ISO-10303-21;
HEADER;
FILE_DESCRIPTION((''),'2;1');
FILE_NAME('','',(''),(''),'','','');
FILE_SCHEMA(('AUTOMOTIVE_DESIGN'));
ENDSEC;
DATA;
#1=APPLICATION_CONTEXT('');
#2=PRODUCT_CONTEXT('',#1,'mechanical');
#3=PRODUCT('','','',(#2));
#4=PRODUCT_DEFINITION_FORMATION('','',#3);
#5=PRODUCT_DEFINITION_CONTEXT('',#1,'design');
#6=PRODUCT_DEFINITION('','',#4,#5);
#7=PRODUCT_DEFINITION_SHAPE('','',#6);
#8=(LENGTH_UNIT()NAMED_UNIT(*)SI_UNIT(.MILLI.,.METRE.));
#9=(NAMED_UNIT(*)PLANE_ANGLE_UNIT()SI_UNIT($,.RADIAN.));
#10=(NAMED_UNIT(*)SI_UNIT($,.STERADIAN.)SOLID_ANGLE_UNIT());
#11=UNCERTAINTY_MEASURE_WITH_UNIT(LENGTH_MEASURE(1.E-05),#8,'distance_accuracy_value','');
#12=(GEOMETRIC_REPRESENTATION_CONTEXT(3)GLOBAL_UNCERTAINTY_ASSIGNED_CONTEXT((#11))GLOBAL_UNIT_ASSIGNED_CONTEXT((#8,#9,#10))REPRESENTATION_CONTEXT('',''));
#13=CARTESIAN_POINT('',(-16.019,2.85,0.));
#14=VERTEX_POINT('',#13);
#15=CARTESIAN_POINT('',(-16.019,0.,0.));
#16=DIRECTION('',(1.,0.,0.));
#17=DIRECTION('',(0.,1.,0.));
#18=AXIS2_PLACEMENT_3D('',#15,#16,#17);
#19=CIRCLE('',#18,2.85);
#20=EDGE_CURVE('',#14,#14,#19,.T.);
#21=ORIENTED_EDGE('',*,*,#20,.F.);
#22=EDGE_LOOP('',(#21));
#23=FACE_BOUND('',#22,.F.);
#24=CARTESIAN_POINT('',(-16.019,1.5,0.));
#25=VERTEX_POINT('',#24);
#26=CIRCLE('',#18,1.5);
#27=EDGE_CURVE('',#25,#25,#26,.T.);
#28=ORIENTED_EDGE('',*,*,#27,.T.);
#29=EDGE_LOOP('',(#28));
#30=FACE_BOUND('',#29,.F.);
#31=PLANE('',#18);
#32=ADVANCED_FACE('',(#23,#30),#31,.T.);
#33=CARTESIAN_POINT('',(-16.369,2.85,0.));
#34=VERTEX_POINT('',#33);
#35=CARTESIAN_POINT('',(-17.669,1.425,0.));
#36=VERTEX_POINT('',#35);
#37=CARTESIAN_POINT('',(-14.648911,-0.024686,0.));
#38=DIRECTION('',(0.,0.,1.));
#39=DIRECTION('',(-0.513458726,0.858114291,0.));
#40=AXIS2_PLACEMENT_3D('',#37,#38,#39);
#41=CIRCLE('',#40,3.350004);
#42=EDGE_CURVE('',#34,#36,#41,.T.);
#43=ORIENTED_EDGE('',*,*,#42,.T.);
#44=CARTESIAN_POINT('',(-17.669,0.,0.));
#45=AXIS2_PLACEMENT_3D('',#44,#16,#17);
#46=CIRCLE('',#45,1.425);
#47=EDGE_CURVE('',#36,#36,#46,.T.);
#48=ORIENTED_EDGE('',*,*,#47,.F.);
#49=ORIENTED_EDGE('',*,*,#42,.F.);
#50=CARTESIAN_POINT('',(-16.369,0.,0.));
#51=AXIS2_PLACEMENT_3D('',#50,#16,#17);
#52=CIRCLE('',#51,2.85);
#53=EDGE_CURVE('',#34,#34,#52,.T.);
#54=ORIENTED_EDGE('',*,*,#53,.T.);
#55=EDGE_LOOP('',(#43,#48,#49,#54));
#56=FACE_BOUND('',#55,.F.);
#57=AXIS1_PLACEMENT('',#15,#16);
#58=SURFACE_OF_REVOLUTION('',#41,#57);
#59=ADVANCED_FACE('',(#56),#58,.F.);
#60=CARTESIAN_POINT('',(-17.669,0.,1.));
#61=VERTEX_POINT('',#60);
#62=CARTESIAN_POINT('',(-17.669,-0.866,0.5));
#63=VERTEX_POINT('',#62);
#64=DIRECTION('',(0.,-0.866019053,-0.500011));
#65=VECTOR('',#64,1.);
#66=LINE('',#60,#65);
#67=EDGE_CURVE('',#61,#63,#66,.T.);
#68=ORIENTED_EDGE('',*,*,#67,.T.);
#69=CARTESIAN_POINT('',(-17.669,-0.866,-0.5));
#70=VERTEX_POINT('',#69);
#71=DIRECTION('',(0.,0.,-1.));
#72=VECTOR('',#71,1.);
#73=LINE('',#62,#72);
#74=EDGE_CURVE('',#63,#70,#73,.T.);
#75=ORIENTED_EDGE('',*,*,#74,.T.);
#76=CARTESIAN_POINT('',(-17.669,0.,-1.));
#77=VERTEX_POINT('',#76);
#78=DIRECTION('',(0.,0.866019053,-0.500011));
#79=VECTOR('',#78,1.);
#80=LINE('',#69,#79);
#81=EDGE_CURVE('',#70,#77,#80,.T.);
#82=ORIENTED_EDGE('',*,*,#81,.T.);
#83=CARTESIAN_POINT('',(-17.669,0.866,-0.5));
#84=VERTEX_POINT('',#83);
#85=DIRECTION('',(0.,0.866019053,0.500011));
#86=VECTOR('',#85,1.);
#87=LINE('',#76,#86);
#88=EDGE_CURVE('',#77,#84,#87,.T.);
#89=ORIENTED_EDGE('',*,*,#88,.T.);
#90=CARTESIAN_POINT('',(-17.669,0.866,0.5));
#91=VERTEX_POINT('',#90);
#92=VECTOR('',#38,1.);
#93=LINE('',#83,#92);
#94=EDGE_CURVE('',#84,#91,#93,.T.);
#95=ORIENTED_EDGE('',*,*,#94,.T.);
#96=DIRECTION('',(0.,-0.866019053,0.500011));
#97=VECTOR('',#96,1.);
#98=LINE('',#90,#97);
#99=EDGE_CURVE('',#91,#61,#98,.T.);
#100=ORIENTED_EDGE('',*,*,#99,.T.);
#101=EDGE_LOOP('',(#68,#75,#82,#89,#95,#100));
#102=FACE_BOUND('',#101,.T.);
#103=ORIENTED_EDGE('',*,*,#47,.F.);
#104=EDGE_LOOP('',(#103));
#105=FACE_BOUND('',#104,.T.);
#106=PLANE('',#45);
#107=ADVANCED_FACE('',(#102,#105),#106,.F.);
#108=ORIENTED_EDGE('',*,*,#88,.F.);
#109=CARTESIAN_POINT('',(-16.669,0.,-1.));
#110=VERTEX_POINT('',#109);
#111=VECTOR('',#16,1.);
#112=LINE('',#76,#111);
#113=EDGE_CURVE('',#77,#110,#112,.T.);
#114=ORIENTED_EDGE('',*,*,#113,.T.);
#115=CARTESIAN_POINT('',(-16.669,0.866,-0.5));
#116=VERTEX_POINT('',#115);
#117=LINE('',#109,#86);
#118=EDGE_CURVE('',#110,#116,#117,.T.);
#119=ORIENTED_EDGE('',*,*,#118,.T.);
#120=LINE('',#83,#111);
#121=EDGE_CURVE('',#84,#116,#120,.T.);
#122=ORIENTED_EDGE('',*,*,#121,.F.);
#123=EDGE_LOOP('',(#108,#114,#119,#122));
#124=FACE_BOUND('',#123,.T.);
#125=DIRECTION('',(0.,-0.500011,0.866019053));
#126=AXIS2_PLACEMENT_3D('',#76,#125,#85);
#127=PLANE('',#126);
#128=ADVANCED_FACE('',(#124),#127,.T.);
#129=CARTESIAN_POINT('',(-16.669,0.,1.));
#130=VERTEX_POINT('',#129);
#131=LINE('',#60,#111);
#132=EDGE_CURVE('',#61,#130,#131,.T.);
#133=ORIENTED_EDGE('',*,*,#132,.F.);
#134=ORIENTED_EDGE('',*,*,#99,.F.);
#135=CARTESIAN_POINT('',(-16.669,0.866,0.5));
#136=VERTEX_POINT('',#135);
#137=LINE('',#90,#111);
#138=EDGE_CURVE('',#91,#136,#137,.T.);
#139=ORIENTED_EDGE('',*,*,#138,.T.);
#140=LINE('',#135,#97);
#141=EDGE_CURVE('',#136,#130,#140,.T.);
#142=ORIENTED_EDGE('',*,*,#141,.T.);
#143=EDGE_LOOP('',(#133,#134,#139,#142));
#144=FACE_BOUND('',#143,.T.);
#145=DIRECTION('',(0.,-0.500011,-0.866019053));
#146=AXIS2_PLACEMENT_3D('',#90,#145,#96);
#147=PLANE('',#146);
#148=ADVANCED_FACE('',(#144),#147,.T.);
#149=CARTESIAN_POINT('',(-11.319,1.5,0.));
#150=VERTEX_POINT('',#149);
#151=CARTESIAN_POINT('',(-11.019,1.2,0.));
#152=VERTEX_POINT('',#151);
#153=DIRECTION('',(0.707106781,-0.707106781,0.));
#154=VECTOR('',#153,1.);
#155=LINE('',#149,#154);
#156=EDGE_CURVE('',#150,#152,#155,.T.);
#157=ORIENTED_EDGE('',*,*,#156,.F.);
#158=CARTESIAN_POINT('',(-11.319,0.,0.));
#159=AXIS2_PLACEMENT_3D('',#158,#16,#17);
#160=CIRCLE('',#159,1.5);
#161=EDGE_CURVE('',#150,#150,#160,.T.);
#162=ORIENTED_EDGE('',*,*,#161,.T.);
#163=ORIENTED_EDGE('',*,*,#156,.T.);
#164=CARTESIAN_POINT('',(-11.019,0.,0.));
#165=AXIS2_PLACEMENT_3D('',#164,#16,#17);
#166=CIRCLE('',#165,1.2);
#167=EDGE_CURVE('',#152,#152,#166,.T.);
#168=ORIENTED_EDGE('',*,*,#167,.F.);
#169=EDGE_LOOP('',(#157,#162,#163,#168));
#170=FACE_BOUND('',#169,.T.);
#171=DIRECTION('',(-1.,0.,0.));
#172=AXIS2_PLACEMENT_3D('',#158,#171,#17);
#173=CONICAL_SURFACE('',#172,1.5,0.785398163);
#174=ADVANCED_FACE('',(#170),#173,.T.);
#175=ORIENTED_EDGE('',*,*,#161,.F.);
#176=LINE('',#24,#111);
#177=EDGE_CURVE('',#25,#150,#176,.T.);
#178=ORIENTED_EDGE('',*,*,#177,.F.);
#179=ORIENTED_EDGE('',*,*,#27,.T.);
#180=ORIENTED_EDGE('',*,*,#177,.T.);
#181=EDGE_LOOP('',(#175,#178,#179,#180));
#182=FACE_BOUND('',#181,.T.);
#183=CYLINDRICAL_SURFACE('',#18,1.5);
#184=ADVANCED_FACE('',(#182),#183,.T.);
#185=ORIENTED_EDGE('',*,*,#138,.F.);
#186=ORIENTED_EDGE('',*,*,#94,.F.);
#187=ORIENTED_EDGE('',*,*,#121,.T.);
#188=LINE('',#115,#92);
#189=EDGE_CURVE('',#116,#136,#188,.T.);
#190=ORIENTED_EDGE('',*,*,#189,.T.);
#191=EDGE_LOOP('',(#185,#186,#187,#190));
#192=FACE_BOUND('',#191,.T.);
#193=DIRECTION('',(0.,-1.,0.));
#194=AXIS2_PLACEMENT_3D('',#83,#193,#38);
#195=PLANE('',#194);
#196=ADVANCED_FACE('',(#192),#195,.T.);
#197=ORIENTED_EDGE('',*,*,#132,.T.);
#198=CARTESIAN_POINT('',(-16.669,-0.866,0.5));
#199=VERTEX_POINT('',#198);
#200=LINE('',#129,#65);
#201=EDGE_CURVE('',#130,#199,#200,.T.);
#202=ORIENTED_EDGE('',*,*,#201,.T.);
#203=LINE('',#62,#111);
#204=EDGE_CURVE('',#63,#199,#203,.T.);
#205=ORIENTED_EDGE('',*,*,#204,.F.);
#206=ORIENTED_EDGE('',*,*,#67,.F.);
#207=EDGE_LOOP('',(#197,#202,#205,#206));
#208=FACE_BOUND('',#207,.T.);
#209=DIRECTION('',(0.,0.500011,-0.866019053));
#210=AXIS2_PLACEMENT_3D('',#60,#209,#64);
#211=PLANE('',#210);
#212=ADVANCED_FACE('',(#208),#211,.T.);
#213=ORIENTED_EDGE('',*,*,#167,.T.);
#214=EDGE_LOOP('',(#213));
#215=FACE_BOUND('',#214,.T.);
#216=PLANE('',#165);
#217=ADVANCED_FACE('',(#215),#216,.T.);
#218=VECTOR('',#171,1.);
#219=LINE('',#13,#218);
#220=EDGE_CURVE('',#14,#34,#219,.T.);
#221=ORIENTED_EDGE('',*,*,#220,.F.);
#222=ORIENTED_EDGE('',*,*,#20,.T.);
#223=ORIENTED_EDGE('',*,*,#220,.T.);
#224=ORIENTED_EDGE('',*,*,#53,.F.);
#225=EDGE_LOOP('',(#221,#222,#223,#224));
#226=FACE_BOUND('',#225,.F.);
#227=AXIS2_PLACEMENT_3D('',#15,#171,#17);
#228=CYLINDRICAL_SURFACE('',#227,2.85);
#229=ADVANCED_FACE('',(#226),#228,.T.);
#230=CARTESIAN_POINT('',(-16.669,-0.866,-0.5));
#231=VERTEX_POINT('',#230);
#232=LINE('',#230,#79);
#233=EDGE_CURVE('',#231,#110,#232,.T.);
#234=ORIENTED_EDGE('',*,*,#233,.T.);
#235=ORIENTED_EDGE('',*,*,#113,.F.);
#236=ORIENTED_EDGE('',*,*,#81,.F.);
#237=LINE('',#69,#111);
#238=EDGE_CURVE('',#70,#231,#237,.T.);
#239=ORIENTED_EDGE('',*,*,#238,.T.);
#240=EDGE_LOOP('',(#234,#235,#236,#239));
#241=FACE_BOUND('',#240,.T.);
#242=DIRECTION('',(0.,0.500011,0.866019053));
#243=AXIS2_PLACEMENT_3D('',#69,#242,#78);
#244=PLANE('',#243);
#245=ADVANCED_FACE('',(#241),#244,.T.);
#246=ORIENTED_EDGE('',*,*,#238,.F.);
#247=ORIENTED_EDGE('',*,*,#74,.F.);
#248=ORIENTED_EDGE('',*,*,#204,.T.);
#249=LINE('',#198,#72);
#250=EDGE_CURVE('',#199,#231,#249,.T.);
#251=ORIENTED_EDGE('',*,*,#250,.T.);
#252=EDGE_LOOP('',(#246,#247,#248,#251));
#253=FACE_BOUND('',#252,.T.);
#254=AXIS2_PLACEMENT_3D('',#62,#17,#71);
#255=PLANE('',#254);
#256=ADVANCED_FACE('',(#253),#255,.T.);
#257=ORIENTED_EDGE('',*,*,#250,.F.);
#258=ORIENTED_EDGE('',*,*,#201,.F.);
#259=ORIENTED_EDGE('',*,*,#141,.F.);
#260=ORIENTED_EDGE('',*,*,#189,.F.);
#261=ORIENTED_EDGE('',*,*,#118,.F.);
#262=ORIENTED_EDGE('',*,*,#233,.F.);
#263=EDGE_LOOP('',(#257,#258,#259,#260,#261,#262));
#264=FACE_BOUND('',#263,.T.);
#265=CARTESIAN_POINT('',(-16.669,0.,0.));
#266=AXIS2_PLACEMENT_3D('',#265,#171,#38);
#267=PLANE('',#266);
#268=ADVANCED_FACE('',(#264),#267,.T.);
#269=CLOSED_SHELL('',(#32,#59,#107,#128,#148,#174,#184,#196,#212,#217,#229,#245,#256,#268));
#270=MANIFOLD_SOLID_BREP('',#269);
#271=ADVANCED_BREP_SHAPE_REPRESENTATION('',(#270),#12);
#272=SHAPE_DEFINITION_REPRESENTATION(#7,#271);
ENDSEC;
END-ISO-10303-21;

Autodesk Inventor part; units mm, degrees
ref_plane "YZ Plane" through (0, 0, 0) normal (1, 0, 0) x (0, 1, 0)
ref_plane "XZ Plane" through (0, 0, 0) normal (0, 1, 0) x (-1, 0, 0)
ref_plane "XY Plane" through (0, 0, 0) normal (0, 0, 1) x (1, 0, 0)
sketch "Sketch1" plane through (0, 0, 0) normal (0, 0, 1) x (1, 0, 0)
  line L0 (-16.019, 0) -> (-11.019, 0)
  line L1 (-16.019, 1.5) -> (-11.319, 1.5)
  line L2 (-16.019, 0) -> (-16.019, 2.85)
  line L3 (-17.669, 0) -> (-17.669, 1.425)
  line L4 (-11.019, 1.2) -> (-11.019, 0)
  line L5 (-16.369, 0) -> (-16.369, 2.85)
  line L6 (-16.019, 2.85) -> (-16.369, 2.85)
  arc A0 (-16.369, 2.85) -> (-17.669, 1.425) centre (-14.6489, -0.0247) ccw
  line L7 (-11.319, 1.5) -> (-11.019, 1.2)
  line L8 (-16.019, 0) -> (-17.669, 0)
  point P0 (0, 0)
  point P1 (-11.019, 1.5)
  dimension "d0" = 5
  dimension "d1" = 1.5
  dimension "d2" = 2.85
  dimension "d3" = 1.425
  dimension "d4" = 1.65
  dimension "d5" = 2.85
  dimension "d6" = 0.35
  dimension "d7" = 3.35
  dimension "d8" = 0.3
  dimension "d9" = 45
revolve "Revolution1" add sketch "Sketch1" angle 360 about axis through (-16.019, 0, 0) along (1, 0, 0)
sketch "Sketch2" plane through (-17.669, 0, 0) normal (-1, 0, 0) x (0, 0, 1)
  line L0 (-1, 0) -> (-0.5, 0.866)
  line L1 (-0.5, 0.866) -> (0.5, 0.866)
  line L2 (0.5, 0.866) -> (1, 0)
  line L3 (1, 0) -> (0.5, -0.866)
  line L4 (0.5, -0.866) -> (-0.5, -0.866)
  line L5 (-0.5, -0.866) -> (-1, 0)
  point P0 (0, 0)
  point P1 (0, 0)
  dimension "d11" = 2
extrude "Extrusion1" cut sketch "Sketch2" against normal blind 1
thread "Thread1" size "M3x0.5" class "6g" standard "ANSI Metric M Profile" full length
properties part number "bolt_2_5mm" material "Steel, Mild, Welded"
